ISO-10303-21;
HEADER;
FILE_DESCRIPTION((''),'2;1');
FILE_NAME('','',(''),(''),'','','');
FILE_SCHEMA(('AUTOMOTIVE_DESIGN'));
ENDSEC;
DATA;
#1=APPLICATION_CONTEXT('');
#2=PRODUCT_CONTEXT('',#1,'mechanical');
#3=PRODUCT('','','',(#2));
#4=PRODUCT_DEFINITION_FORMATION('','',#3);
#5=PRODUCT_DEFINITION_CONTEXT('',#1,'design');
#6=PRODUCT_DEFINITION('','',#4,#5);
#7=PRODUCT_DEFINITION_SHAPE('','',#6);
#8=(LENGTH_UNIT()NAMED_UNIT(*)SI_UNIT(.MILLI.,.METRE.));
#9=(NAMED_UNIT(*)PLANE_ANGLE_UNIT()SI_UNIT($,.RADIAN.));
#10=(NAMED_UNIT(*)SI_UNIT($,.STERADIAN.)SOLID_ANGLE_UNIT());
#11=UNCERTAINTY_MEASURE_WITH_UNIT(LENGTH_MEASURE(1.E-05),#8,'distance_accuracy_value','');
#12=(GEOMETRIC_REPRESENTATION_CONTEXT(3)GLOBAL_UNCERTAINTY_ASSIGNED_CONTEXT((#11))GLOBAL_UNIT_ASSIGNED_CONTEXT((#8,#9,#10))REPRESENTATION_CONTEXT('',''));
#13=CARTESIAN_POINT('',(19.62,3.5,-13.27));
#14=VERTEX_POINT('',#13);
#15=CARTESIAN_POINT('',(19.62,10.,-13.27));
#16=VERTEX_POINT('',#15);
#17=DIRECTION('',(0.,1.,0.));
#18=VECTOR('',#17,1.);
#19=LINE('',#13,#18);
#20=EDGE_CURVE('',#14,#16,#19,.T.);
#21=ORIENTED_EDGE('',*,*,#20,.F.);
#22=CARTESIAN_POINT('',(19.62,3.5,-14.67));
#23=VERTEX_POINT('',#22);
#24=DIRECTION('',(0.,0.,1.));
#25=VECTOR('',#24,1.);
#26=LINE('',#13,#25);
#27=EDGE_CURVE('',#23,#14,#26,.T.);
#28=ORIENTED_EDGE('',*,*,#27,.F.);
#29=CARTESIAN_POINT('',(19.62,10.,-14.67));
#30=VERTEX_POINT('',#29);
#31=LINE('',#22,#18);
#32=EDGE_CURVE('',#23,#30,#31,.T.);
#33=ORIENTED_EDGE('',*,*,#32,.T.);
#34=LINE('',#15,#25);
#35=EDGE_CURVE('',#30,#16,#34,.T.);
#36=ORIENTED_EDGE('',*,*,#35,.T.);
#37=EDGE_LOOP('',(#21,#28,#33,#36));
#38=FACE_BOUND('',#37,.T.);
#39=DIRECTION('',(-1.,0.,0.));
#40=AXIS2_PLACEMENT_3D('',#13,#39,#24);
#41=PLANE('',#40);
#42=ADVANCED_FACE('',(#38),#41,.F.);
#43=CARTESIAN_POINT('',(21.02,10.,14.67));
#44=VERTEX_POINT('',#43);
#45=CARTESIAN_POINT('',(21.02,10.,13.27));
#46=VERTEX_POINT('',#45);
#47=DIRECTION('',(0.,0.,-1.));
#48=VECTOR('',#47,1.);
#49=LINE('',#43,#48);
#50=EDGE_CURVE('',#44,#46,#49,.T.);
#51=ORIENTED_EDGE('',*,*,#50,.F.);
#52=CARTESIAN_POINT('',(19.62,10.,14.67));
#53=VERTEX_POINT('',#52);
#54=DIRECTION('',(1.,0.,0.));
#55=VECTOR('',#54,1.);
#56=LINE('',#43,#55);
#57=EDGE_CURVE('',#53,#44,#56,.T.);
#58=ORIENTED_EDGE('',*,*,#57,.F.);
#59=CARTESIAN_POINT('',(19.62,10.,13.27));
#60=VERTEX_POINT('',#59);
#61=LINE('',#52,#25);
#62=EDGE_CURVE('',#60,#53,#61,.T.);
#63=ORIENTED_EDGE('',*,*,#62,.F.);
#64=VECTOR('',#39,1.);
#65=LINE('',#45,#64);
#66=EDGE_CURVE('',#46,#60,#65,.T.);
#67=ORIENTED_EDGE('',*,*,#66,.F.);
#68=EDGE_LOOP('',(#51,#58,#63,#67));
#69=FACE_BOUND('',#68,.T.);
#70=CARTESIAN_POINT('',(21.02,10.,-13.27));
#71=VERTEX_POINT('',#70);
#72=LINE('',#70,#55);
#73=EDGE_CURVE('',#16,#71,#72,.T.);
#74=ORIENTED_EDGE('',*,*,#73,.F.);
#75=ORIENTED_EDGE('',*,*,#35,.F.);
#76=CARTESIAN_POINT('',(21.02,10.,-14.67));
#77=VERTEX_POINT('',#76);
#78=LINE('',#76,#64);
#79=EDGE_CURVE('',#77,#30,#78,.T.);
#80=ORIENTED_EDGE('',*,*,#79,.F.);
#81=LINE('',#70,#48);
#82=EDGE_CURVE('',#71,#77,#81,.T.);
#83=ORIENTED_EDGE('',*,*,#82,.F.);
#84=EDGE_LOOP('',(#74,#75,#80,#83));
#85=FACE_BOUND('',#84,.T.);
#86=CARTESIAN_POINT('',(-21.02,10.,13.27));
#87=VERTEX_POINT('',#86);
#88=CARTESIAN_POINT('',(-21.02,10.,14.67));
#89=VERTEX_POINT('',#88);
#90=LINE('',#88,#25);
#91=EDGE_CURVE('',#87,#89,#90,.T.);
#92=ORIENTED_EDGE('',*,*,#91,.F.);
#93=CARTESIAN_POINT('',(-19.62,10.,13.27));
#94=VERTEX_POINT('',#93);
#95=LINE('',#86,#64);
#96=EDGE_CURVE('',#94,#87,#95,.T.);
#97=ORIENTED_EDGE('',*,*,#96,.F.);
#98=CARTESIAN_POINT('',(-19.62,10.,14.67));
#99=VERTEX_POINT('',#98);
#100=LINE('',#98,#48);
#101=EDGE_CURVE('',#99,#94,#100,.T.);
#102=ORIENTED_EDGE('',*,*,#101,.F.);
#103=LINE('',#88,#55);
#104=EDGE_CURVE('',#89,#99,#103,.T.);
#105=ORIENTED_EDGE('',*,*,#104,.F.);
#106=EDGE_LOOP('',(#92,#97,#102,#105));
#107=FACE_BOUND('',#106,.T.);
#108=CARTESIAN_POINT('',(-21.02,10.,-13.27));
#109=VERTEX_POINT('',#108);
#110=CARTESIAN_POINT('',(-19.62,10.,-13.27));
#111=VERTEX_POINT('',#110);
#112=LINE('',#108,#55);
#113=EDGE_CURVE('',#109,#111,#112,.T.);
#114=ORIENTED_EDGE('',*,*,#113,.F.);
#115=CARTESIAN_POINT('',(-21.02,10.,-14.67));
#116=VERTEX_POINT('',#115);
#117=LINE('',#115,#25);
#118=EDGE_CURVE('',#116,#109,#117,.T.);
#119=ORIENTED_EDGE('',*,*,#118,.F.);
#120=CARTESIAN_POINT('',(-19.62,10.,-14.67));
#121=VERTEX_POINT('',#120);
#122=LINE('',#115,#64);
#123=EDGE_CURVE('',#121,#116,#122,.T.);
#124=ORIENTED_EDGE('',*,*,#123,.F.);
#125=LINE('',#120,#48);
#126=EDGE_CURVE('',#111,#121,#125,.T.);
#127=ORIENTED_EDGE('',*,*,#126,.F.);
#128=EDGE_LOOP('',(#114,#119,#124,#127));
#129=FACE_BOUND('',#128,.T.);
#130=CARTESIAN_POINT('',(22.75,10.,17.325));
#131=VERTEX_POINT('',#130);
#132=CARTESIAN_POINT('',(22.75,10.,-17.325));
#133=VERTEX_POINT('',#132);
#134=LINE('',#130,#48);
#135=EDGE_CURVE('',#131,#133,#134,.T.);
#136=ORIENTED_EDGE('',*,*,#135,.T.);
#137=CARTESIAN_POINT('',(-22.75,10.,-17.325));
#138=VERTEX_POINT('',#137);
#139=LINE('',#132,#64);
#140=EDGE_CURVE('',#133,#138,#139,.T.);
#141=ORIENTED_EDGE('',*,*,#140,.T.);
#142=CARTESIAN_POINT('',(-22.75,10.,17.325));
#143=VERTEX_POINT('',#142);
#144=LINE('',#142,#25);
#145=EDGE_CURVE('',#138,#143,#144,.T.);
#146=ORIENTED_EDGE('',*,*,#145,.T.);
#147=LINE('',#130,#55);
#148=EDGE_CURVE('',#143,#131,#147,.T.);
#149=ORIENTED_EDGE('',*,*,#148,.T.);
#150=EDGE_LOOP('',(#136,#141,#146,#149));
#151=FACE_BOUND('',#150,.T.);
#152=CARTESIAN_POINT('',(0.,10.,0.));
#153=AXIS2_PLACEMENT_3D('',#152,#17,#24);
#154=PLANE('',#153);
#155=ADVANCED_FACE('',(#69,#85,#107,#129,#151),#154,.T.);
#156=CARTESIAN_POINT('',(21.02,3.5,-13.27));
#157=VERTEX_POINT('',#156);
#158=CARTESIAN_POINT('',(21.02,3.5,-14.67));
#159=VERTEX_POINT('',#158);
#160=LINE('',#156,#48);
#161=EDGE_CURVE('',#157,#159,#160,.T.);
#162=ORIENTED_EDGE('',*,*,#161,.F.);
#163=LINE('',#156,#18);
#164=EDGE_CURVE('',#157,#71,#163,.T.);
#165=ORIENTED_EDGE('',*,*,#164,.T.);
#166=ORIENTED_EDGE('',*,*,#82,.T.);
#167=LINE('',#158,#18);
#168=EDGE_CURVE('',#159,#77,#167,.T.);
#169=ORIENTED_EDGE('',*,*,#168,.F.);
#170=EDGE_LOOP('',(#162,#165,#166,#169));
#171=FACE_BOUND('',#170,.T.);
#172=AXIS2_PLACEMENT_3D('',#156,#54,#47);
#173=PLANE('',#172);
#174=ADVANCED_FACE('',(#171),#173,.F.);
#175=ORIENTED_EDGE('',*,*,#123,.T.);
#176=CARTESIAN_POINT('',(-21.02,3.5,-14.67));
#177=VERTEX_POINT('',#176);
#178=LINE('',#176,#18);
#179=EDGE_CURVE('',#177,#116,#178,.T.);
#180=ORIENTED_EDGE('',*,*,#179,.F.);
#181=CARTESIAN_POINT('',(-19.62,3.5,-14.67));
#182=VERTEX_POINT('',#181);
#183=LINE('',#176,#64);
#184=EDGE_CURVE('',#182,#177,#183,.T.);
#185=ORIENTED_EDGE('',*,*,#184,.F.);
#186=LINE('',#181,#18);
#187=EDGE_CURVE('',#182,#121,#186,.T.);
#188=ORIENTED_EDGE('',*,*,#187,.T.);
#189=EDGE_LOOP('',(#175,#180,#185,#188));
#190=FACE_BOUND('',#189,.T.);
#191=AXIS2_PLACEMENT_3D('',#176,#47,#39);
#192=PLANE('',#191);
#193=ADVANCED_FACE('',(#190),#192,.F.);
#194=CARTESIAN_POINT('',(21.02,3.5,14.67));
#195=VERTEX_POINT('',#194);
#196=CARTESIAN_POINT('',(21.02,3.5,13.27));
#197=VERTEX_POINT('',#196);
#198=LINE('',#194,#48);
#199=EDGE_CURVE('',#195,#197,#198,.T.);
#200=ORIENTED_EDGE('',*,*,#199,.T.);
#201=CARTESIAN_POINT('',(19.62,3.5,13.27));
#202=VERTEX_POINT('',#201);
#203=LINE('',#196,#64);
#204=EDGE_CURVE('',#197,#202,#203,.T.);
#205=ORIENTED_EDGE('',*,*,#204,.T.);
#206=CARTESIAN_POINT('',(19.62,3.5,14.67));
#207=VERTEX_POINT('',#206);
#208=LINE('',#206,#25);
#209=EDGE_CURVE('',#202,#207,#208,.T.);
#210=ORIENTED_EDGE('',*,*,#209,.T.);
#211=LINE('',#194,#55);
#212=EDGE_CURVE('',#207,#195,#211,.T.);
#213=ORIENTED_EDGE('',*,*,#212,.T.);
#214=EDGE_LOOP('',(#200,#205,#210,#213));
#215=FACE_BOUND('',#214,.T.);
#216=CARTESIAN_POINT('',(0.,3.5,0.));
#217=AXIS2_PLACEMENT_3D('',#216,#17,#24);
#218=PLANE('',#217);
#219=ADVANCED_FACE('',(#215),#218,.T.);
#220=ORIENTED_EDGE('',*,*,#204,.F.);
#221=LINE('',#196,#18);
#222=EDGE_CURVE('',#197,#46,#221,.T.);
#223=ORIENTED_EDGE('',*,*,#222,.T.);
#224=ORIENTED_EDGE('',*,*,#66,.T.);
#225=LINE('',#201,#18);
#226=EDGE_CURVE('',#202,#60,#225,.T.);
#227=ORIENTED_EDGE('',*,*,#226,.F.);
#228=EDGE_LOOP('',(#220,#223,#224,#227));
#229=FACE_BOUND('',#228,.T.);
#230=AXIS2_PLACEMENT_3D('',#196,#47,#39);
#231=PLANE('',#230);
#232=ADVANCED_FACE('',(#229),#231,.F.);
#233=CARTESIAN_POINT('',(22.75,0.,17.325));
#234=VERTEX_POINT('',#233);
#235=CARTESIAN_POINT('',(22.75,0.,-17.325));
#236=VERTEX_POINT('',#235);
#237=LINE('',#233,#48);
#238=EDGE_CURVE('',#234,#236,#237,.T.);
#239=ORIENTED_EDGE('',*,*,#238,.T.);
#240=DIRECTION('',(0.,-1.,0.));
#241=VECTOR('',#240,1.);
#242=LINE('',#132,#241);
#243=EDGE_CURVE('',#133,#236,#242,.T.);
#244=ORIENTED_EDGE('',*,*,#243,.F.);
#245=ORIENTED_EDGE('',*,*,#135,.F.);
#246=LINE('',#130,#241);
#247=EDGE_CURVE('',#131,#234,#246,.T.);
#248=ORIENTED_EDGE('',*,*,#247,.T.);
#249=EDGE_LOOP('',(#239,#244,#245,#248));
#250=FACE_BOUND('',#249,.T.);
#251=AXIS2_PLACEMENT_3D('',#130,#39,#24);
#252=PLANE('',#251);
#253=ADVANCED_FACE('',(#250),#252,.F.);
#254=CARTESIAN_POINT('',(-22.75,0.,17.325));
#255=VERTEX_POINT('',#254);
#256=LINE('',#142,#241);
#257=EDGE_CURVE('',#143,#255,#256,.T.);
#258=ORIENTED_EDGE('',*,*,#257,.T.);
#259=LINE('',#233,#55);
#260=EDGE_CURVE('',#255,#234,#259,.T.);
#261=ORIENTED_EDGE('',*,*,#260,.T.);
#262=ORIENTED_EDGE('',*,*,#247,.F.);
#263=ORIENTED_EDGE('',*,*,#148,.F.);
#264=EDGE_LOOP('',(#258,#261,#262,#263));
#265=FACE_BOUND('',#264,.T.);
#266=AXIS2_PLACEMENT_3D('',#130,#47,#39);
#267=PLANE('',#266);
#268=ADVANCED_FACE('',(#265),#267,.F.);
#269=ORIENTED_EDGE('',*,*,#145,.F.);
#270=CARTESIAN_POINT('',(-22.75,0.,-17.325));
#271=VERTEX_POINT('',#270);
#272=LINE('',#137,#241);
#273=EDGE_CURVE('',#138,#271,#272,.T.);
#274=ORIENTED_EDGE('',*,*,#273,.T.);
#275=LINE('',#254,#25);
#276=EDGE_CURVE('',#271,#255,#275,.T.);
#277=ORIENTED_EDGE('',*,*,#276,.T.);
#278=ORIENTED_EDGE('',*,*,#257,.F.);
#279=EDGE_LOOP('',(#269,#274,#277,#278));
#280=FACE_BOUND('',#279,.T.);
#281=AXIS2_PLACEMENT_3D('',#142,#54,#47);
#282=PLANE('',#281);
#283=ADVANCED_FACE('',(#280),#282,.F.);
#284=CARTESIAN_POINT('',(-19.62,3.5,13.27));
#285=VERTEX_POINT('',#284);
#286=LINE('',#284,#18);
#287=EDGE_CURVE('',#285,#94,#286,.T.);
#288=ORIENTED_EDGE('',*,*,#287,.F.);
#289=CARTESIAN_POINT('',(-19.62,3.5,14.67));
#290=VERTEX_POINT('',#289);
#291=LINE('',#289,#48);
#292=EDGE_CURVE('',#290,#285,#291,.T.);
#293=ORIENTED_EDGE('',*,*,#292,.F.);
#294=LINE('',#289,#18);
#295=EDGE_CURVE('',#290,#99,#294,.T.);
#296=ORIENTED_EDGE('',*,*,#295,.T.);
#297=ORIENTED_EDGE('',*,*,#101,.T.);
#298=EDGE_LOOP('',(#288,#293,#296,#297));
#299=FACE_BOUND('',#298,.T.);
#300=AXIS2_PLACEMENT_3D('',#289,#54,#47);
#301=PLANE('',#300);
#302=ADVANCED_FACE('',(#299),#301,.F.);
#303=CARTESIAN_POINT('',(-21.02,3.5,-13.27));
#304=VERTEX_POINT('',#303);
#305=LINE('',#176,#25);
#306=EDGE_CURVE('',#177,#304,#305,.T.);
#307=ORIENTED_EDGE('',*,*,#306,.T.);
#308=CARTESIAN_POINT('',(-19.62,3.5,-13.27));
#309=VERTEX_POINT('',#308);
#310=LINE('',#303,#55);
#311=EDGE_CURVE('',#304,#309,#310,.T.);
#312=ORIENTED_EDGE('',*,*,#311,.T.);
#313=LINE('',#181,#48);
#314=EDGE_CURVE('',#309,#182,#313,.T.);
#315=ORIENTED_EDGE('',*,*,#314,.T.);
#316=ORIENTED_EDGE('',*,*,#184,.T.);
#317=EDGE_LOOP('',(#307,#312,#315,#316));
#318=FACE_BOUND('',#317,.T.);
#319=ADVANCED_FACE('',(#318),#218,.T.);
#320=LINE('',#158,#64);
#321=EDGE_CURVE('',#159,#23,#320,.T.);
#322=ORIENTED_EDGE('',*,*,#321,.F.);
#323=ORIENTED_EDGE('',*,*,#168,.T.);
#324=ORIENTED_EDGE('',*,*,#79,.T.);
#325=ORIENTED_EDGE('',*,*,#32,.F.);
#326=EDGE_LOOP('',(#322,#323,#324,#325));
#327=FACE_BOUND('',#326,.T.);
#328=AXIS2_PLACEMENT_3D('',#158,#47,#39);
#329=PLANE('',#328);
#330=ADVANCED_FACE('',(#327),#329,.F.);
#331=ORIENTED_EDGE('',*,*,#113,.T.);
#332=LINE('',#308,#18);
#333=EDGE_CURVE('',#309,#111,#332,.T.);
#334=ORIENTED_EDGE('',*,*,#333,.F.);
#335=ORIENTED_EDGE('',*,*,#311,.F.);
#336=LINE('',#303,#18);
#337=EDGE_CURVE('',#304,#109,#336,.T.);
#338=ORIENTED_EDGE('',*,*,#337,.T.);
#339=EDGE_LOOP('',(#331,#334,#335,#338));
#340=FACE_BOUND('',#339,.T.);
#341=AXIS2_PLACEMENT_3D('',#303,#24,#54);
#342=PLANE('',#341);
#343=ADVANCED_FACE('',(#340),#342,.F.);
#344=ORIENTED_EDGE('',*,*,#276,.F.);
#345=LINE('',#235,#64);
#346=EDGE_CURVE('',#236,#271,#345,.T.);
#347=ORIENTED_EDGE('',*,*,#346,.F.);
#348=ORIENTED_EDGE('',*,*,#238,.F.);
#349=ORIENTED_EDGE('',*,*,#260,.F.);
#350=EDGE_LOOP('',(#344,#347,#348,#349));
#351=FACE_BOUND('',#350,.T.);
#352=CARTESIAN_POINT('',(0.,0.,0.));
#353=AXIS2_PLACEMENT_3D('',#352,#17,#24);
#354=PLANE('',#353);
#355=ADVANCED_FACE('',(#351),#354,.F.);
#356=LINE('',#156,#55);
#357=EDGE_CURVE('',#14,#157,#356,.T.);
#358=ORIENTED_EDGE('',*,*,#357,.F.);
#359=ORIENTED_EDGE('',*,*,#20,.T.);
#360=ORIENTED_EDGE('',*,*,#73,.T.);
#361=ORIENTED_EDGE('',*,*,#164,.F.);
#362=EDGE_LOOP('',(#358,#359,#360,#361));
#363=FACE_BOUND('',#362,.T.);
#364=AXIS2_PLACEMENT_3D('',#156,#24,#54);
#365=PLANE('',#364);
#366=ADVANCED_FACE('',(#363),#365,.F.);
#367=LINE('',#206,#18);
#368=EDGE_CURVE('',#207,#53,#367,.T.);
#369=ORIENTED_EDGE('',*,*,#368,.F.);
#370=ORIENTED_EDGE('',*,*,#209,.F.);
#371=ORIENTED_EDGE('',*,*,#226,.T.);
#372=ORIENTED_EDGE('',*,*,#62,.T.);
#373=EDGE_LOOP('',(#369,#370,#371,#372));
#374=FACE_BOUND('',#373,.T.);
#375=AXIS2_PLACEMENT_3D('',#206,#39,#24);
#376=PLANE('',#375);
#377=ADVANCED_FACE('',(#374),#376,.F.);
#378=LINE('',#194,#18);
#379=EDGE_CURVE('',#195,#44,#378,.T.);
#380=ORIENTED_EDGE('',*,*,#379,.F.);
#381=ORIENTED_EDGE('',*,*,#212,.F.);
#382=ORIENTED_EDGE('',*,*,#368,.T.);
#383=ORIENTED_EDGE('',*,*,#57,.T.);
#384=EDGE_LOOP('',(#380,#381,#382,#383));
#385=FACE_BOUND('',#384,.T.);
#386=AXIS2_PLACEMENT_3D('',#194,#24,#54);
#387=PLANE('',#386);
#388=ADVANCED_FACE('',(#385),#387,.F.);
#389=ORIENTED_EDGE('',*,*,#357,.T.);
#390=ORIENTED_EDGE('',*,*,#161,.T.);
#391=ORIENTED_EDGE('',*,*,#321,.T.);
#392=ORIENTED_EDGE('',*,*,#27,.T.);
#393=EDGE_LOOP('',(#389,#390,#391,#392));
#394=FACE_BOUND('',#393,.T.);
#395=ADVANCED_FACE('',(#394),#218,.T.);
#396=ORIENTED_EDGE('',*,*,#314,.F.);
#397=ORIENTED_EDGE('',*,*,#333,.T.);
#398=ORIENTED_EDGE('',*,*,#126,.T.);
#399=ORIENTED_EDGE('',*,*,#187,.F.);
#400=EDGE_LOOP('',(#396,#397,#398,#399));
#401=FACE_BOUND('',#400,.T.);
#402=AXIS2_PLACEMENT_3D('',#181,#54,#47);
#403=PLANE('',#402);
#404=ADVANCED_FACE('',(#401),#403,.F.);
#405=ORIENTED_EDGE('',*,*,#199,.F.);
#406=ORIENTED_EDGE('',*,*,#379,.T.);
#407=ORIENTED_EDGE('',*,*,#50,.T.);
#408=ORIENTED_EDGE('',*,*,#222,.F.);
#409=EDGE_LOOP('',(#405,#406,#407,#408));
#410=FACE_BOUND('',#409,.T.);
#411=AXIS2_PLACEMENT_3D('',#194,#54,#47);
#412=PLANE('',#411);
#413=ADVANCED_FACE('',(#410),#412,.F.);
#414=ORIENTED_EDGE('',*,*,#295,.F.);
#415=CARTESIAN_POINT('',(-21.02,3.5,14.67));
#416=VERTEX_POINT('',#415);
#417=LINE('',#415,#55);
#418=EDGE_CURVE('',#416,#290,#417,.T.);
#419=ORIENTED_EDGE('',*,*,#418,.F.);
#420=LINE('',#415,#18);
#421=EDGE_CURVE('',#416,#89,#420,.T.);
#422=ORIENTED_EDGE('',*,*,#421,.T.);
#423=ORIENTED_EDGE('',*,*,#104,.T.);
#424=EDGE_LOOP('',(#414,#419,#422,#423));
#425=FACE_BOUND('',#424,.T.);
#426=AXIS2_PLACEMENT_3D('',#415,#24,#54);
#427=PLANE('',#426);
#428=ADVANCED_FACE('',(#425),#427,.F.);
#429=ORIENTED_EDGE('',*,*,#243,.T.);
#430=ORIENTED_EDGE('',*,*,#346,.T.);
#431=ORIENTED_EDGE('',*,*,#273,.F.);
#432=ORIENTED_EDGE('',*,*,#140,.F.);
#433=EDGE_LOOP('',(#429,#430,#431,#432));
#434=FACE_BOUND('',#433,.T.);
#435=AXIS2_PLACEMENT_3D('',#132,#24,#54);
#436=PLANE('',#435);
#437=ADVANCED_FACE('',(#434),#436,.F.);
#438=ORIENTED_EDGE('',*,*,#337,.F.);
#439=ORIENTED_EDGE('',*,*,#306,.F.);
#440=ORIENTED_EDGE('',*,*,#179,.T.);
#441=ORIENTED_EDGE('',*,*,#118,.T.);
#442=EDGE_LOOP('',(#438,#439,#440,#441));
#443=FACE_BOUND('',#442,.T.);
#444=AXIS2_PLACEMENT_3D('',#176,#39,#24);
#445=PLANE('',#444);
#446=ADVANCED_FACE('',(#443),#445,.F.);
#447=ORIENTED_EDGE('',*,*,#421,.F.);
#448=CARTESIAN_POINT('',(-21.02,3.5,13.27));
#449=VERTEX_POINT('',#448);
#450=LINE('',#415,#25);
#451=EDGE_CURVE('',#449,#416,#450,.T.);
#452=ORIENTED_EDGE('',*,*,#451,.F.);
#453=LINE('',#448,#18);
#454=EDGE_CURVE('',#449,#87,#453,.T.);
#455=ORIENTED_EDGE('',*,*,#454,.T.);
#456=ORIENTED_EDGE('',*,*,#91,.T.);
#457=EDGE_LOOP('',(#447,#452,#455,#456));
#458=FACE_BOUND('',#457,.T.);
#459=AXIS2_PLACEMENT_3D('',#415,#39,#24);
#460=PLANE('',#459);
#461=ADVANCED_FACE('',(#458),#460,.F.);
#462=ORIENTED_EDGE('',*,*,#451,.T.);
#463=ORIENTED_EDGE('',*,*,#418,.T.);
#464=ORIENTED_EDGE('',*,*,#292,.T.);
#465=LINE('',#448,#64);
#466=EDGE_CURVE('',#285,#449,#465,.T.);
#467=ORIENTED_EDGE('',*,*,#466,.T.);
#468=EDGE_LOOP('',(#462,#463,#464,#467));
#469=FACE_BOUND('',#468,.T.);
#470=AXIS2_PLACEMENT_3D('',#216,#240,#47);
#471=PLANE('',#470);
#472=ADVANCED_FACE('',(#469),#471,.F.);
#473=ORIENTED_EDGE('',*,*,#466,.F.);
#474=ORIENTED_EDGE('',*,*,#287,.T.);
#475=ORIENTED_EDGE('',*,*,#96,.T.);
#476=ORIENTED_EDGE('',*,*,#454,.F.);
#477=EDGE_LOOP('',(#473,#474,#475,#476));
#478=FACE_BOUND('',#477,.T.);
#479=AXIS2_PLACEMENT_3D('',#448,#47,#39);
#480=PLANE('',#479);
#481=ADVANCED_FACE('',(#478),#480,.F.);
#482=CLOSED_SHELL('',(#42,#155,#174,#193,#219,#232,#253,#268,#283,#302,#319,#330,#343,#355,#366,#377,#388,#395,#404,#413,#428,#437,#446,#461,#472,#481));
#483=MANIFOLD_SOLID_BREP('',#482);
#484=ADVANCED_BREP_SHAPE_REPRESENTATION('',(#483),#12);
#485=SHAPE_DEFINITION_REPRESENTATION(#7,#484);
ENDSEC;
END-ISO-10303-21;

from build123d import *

# Parameters (mm, degrees)
SKETCH1_W             = 45.5
SKETCH1_H             = 34.65
BREADBOARD_BASE_DEPTH = 10
SKETCH2_W             = 1.4
SKETCH2_H             = 1.4
HOLES_FOR_PINS_DEPTH  = 6.5


with BuildPart() as part:
    # Sketch1 → Breadboard Base (new body)
    with BuildSketch(Plane(origin=(0, 0, 0), x_dir=(1, 0, 0), z_dir=(0, 1, 0))):
        Rectangle(SKETCH1_W, SKETCH1_H)
    extrude(amount=BREADBOARD_BASE_DEPTH)

    # Sketch2 → Holes for Pins (cut)
    with BuildSketch(Plane(origin=(0, 10, 0), x_dir=(1, 0, 0), z_dir=(0, 1, 0))):
        with Locations((-20.32, 13.97)):
            Rectangle(SKETCH2_W, SKETCH2_H)
        with Locations((20.32, 13.97)):
            Rectangle(SKETCH2_W, SKETCH2_H)
        with Locations((-20.32, -13.97)):
            Rectangle(SKETCH2_W, SKETCH2_H)
        with Locations((20.32, -13.97)):
            Rectangle(SKETCH2_W, SKETCH2_H)
    extrude(amount=-HOLES_FOR_PINS_DEPTH, mode=Mode.SUBTRACT)


solid = part.part
